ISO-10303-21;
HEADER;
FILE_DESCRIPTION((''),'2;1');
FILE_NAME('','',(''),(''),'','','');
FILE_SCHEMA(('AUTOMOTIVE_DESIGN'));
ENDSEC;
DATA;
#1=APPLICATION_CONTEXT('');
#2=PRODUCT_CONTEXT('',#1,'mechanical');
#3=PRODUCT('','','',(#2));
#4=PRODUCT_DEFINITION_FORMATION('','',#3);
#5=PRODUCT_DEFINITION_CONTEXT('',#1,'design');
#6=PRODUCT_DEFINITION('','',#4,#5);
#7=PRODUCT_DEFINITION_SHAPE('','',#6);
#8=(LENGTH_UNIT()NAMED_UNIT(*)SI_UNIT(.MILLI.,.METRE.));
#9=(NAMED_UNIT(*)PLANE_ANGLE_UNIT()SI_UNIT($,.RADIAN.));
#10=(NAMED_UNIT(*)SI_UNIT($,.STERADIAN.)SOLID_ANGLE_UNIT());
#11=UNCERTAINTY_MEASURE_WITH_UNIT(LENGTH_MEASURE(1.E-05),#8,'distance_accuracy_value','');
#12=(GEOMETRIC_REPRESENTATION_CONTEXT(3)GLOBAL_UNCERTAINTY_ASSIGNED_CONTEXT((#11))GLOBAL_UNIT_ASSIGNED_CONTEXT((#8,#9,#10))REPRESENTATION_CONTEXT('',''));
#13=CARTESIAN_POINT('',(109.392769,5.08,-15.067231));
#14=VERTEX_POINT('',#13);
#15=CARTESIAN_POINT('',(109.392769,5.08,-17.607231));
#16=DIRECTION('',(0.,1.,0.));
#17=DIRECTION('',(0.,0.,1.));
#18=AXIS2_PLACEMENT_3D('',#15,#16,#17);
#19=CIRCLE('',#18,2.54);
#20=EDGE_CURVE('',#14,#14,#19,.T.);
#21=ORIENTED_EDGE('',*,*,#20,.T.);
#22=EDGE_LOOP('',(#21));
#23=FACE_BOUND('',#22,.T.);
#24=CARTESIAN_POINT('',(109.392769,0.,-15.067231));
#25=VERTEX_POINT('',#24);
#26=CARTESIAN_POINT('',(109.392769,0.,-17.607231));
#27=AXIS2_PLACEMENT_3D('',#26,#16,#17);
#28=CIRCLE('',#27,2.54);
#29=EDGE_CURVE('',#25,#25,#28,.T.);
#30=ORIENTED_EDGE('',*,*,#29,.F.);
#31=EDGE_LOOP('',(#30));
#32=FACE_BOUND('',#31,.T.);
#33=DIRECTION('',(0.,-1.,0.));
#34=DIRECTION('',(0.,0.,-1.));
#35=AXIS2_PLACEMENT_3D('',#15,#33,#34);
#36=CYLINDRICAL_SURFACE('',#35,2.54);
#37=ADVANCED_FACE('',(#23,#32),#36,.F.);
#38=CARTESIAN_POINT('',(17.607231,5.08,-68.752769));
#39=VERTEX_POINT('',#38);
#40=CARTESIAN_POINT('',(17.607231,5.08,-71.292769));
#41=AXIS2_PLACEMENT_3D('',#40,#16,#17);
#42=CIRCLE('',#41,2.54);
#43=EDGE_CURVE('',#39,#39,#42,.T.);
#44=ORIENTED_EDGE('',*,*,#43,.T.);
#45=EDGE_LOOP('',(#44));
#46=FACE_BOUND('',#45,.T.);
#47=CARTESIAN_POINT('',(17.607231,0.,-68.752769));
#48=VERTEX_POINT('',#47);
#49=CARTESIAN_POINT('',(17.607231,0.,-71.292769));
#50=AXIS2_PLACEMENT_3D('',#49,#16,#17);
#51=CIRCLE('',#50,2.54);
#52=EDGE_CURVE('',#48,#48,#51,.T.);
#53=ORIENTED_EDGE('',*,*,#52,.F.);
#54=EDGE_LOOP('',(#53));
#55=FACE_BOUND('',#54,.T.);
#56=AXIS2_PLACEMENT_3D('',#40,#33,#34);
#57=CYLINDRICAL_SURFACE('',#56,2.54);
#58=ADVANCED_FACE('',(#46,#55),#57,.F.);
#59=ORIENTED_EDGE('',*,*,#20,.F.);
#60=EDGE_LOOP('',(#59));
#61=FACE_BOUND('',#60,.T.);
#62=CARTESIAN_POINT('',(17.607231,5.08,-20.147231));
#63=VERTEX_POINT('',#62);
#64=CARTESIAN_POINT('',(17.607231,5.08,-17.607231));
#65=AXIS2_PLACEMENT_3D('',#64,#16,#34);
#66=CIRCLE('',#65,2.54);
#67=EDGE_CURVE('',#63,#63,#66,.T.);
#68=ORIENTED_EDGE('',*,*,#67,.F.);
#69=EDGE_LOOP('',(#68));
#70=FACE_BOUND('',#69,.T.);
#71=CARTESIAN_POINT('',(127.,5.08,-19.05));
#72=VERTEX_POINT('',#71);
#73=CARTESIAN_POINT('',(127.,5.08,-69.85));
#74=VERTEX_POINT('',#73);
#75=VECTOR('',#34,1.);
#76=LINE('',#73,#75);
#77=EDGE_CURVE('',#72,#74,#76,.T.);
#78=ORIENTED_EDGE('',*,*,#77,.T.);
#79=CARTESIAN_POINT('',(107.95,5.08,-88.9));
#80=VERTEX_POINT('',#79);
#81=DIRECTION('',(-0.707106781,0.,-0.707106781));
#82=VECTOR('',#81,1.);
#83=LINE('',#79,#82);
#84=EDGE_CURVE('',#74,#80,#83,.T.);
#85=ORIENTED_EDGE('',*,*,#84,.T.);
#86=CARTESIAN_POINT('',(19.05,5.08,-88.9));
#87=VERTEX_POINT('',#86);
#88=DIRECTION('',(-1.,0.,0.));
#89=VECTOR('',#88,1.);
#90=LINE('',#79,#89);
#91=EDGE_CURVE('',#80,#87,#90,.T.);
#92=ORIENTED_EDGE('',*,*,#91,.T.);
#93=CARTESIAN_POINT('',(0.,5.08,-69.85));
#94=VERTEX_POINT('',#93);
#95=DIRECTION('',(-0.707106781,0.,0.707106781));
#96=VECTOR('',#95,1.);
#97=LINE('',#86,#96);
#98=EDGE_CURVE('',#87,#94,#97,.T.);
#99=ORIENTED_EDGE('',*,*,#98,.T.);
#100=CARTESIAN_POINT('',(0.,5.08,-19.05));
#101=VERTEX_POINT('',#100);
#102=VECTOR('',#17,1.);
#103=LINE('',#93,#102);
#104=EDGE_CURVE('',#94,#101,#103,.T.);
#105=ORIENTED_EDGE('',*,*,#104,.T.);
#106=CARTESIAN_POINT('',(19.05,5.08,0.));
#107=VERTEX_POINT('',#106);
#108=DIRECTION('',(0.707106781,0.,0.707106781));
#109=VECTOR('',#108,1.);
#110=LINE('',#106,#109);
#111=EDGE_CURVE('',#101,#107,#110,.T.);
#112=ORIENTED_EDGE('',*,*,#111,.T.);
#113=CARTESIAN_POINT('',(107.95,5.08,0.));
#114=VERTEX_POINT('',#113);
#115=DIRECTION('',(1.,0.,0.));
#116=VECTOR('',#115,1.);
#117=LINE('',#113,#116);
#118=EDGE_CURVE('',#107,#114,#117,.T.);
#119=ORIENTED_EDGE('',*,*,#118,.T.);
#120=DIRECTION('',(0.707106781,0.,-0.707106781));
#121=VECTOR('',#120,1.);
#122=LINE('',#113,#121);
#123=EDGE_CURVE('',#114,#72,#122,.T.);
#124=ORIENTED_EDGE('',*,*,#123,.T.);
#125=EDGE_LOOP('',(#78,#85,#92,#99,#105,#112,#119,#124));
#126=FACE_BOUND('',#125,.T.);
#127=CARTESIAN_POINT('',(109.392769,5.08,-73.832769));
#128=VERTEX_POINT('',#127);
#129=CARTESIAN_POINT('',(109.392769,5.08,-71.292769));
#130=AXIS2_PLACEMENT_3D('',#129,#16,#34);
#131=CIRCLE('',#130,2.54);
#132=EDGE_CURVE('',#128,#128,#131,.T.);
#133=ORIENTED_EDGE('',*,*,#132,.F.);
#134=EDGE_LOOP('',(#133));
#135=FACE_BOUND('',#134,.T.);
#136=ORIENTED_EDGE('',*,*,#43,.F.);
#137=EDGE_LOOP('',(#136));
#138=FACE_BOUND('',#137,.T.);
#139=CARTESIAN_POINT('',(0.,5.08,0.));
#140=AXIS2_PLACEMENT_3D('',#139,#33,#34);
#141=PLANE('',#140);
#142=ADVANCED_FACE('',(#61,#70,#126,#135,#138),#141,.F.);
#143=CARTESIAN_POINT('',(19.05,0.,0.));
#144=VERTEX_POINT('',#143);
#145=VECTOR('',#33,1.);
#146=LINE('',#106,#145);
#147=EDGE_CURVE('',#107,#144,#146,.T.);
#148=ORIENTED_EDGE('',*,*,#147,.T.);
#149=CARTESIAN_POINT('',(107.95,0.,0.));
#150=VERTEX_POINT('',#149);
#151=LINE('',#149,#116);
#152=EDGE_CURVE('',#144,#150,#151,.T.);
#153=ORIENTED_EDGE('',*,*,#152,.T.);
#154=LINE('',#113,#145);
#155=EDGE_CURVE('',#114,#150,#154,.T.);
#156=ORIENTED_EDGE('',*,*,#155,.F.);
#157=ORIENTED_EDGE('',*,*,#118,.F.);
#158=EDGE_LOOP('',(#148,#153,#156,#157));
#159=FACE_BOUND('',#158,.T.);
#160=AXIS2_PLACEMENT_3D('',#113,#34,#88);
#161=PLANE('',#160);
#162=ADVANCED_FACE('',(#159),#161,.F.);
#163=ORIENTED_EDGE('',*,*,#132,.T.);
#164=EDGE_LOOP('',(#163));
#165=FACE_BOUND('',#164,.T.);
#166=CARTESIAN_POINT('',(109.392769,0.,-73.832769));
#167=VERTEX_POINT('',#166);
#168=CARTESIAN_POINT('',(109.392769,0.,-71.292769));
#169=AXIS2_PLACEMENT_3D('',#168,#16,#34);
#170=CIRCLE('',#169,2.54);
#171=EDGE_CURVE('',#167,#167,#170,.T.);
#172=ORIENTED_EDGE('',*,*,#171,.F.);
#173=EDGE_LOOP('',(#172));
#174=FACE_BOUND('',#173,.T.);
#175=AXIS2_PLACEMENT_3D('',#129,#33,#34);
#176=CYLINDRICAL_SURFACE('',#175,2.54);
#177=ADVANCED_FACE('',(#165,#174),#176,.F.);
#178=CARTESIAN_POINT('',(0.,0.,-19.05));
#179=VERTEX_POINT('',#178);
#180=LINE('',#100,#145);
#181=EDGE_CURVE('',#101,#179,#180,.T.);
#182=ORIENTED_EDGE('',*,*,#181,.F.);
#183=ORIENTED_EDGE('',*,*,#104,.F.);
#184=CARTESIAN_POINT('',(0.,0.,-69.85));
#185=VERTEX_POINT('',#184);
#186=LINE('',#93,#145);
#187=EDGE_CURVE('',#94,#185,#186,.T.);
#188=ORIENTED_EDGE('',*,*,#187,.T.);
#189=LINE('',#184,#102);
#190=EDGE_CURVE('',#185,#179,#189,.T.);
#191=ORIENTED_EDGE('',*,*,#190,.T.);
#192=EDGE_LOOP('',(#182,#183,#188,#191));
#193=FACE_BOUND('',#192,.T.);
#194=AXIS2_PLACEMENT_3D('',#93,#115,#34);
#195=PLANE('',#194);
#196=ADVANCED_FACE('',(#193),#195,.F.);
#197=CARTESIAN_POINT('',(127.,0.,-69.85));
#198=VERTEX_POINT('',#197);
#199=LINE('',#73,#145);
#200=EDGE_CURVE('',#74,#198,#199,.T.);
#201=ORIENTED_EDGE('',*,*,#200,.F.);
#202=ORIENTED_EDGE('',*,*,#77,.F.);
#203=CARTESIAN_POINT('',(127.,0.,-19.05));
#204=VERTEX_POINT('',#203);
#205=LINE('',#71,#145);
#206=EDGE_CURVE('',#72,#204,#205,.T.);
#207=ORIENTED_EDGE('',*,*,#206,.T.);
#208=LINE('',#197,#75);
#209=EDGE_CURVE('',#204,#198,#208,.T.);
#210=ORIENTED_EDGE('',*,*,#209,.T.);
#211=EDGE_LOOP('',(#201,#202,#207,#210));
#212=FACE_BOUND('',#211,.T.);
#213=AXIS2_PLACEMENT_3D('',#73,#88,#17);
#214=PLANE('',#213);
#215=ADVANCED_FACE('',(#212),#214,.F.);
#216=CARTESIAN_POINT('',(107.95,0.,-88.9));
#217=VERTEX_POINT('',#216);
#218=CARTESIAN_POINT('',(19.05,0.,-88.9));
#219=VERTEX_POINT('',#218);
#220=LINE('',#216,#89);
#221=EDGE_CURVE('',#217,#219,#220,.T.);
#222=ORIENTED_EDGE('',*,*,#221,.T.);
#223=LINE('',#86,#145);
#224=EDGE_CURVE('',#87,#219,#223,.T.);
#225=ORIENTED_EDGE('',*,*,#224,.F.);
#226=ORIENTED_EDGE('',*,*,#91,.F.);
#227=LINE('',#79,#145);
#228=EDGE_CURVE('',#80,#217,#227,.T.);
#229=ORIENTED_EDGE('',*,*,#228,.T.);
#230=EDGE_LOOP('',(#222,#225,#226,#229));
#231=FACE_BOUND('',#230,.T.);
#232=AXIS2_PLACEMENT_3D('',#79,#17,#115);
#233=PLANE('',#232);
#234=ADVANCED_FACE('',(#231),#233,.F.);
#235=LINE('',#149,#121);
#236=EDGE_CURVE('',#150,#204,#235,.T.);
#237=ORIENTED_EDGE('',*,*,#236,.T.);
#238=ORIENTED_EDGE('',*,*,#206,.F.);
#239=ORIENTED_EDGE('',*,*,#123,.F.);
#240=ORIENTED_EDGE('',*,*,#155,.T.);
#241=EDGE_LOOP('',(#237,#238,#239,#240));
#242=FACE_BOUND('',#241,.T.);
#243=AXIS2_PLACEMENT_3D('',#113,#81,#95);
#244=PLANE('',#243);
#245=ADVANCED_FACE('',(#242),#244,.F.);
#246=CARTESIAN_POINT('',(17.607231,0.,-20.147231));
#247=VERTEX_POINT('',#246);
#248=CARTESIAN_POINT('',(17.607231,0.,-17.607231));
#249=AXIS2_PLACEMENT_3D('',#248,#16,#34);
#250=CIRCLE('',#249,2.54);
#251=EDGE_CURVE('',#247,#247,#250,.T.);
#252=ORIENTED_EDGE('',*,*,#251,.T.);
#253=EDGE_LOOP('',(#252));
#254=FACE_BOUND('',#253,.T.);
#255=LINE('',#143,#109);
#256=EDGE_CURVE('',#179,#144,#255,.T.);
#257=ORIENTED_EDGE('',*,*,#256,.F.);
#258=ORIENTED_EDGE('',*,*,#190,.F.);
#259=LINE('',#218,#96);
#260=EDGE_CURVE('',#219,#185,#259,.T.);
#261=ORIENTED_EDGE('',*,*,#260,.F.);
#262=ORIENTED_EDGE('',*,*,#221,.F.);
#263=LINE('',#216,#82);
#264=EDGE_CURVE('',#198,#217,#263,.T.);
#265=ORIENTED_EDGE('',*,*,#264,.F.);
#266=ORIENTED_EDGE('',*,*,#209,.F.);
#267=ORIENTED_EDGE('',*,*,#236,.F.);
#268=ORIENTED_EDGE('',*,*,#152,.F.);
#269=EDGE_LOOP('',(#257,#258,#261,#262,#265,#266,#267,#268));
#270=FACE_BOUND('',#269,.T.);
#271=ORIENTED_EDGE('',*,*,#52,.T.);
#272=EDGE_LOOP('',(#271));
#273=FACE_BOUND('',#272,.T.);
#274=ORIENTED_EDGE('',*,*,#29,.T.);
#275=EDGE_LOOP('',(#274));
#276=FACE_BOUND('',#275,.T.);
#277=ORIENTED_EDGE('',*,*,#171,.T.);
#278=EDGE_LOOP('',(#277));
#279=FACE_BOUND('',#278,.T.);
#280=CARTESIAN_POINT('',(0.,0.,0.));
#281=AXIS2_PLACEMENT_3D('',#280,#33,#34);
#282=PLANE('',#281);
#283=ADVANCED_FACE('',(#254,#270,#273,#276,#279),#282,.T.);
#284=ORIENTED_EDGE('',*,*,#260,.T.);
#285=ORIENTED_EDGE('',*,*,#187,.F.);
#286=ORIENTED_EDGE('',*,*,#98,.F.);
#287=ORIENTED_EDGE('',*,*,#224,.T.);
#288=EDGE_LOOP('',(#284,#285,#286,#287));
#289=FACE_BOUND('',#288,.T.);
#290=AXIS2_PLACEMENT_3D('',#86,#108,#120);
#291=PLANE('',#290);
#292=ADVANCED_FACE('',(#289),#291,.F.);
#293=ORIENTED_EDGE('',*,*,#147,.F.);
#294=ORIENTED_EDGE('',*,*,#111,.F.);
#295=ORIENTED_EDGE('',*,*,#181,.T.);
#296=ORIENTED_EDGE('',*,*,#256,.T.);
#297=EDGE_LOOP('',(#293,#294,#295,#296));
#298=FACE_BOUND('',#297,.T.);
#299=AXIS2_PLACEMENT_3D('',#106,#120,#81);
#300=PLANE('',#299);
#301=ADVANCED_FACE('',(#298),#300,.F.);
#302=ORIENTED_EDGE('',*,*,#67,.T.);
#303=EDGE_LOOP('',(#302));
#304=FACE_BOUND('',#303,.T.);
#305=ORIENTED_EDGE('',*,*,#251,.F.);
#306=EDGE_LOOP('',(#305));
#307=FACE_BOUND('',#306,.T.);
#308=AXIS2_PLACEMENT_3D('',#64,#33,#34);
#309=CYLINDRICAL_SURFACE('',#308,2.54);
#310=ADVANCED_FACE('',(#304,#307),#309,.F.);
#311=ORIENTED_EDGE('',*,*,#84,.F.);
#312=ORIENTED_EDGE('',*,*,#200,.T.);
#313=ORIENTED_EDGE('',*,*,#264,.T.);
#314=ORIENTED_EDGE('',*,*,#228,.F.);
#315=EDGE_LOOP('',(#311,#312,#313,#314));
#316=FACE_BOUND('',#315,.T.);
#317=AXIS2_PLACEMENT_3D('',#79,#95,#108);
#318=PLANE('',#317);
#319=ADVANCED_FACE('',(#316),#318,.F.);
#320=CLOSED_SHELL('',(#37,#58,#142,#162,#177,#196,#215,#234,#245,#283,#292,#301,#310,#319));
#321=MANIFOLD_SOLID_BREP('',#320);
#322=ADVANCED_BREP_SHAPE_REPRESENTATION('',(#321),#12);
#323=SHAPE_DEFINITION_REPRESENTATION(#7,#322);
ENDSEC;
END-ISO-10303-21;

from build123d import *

# Parameters (mm, degrees)
SKETCH1_R           = 2.54
BOSS_EXTRUDE1_DEPTH = 5.08


with BuildPart() as part:
    # Sketch1 → Boss-Extrude1 (new body)
    with BuildSketch(Plane(origin=(0, 0, 0), x_dir=(1, 0, 0), z_dir=(0, 1, 0))):
        Polygon((107.95, 88.9), (19.05, 88.9), (0, 69.85), (0, 19.05), (19.05, 0), (107.95, 0), (127, 19.05), (127, 69.85), align=None)
        with Locations(Location((17.607230509, 71.292769491, 0), (0, 0, 270))):
            Circle(SKETCH1_R, mode=Mode.SUBTRACT)
        with Locations(Location((17.607230509, 17.607230509, 0), (0, 0, 90))):
            Circle(SKETCH1_R, mode=Mode.SUBTRACT)
        with Locations(Location((109.392769491, 17.607230509, 0), (0, 0, 270))):
            Circle(SKETCH1_R, mode=Mode.SUBTRACT)
        with Locations(Location((109.392769491, 71.292769491, 0), (0, 0, 90))):
            Circle(SKETCH1_R, mode=Mode.SUBTRACT)
    extrude(amount=BOSS_EXTRUDE1_DEPTH)


solid = part.part
